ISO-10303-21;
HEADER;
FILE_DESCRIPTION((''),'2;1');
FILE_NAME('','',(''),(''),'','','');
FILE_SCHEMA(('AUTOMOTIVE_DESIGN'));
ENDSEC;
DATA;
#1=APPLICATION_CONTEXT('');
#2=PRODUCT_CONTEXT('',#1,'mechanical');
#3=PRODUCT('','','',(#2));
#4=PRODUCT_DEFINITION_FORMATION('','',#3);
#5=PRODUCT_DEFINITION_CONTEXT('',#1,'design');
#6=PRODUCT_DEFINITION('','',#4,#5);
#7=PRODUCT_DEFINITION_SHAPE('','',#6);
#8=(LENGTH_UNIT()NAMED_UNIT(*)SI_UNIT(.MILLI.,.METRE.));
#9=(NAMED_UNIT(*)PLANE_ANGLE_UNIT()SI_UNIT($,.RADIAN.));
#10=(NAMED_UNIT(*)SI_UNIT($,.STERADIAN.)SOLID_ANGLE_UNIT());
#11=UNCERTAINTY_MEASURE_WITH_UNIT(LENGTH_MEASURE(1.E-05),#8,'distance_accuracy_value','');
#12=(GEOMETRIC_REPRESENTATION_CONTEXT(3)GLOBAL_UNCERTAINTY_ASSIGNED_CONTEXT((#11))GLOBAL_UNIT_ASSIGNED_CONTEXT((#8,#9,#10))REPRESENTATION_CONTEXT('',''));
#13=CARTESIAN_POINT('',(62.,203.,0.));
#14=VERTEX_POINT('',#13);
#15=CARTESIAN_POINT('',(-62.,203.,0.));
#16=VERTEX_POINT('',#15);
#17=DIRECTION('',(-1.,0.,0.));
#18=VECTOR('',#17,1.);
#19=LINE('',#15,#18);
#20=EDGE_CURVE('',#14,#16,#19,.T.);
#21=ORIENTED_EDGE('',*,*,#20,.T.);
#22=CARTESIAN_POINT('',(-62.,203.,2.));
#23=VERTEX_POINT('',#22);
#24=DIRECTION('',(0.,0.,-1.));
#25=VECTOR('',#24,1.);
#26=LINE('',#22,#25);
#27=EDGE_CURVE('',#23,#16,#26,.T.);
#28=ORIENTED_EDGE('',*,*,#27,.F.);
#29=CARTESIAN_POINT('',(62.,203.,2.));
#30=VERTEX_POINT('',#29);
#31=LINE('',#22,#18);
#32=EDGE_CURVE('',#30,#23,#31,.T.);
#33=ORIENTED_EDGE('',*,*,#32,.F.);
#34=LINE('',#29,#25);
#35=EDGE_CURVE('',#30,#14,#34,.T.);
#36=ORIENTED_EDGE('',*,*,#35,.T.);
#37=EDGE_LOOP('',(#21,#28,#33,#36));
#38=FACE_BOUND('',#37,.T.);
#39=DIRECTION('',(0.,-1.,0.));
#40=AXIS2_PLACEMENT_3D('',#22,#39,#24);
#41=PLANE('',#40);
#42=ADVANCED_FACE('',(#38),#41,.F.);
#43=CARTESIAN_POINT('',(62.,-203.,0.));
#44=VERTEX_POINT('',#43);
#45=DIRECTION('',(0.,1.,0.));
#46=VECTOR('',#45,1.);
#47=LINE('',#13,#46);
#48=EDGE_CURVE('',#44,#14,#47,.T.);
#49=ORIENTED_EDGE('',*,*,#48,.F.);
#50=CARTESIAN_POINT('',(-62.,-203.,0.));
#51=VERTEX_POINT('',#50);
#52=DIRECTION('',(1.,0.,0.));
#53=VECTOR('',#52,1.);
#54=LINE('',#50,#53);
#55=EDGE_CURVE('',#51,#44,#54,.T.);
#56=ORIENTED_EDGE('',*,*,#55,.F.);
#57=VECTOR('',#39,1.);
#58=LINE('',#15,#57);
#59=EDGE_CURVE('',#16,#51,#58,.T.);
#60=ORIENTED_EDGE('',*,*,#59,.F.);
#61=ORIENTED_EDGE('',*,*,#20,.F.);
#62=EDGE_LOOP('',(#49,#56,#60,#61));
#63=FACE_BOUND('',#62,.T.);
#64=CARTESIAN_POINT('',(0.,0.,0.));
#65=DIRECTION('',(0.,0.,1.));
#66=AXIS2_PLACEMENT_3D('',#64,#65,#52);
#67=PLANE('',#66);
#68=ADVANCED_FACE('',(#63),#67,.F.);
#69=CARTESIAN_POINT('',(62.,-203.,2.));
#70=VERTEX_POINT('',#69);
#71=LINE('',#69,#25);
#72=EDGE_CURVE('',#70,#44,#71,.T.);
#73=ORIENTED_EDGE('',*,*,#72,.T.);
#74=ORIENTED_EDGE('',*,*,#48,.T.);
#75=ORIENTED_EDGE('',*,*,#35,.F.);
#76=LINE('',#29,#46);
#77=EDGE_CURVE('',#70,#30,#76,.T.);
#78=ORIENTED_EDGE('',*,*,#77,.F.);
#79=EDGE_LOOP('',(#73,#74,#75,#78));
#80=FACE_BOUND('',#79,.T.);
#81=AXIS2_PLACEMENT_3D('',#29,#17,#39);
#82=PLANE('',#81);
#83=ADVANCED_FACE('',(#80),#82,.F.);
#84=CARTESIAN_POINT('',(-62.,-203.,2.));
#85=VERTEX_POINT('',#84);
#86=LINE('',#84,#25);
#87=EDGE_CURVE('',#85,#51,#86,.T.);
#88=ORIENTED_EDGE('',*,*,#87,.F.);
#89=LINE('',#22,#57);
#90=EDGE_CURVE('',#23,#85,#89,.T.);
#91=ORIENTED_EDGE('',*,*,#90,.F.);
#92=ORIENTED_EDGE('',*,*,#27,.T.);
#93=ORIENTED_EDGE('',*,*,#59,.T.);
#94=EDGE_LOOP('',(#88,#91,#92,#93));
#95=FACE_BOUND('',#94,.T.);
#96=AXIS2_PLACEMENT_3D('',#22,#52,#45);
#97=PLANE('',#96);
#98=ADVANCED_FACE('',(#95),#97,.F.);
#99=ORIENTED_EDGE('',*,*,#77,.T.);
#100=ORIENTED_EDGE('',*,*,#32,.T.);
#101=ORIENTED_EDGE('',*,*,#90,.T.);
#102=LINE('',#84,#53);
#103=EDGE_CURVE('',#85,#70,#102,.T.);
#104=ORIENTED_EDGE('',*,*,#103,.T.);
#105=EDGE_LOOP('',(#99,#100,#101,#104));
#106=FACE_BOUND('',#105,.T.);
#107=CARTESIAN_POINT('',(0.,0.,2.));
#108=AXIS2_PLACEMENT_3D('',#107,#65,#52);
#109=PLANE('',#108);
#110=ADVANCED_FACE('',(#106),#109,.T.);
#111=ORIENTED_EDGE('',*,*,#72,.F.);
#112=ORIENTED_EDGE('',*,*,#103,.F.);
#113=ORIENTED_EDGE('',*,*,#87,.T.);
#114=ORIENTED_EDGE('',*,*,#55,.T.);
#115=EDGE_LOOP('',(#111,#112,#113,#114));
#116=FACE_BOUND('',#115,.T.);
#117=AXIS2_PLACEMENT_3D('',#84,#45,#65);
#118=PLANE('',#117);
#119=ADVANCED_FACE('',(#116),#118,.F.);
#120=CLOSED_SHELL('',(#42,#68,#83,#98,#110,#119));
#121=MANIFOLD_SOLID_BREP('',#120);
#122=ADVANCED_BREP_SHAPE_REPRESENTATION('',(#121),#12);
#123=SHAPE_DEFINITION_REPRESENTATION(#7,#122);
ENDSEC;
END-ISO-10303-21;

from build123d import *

# Parameters (mm, degrees)
SKETCH_1_W      = 124
SKETCH_1_H      = 406
EXTRUDE_1_DEPTH = 2


with BuildPart() as part:
    # 草图1 → 凸台-拉伸1 (new body)
    with BuildSketch(Plane.XY):
        Rectangle(SKETCH_1_W, SKETCH_1_H)
    extrude(amount=EXTRUDE_1_DEPTH)


solid = part.part
